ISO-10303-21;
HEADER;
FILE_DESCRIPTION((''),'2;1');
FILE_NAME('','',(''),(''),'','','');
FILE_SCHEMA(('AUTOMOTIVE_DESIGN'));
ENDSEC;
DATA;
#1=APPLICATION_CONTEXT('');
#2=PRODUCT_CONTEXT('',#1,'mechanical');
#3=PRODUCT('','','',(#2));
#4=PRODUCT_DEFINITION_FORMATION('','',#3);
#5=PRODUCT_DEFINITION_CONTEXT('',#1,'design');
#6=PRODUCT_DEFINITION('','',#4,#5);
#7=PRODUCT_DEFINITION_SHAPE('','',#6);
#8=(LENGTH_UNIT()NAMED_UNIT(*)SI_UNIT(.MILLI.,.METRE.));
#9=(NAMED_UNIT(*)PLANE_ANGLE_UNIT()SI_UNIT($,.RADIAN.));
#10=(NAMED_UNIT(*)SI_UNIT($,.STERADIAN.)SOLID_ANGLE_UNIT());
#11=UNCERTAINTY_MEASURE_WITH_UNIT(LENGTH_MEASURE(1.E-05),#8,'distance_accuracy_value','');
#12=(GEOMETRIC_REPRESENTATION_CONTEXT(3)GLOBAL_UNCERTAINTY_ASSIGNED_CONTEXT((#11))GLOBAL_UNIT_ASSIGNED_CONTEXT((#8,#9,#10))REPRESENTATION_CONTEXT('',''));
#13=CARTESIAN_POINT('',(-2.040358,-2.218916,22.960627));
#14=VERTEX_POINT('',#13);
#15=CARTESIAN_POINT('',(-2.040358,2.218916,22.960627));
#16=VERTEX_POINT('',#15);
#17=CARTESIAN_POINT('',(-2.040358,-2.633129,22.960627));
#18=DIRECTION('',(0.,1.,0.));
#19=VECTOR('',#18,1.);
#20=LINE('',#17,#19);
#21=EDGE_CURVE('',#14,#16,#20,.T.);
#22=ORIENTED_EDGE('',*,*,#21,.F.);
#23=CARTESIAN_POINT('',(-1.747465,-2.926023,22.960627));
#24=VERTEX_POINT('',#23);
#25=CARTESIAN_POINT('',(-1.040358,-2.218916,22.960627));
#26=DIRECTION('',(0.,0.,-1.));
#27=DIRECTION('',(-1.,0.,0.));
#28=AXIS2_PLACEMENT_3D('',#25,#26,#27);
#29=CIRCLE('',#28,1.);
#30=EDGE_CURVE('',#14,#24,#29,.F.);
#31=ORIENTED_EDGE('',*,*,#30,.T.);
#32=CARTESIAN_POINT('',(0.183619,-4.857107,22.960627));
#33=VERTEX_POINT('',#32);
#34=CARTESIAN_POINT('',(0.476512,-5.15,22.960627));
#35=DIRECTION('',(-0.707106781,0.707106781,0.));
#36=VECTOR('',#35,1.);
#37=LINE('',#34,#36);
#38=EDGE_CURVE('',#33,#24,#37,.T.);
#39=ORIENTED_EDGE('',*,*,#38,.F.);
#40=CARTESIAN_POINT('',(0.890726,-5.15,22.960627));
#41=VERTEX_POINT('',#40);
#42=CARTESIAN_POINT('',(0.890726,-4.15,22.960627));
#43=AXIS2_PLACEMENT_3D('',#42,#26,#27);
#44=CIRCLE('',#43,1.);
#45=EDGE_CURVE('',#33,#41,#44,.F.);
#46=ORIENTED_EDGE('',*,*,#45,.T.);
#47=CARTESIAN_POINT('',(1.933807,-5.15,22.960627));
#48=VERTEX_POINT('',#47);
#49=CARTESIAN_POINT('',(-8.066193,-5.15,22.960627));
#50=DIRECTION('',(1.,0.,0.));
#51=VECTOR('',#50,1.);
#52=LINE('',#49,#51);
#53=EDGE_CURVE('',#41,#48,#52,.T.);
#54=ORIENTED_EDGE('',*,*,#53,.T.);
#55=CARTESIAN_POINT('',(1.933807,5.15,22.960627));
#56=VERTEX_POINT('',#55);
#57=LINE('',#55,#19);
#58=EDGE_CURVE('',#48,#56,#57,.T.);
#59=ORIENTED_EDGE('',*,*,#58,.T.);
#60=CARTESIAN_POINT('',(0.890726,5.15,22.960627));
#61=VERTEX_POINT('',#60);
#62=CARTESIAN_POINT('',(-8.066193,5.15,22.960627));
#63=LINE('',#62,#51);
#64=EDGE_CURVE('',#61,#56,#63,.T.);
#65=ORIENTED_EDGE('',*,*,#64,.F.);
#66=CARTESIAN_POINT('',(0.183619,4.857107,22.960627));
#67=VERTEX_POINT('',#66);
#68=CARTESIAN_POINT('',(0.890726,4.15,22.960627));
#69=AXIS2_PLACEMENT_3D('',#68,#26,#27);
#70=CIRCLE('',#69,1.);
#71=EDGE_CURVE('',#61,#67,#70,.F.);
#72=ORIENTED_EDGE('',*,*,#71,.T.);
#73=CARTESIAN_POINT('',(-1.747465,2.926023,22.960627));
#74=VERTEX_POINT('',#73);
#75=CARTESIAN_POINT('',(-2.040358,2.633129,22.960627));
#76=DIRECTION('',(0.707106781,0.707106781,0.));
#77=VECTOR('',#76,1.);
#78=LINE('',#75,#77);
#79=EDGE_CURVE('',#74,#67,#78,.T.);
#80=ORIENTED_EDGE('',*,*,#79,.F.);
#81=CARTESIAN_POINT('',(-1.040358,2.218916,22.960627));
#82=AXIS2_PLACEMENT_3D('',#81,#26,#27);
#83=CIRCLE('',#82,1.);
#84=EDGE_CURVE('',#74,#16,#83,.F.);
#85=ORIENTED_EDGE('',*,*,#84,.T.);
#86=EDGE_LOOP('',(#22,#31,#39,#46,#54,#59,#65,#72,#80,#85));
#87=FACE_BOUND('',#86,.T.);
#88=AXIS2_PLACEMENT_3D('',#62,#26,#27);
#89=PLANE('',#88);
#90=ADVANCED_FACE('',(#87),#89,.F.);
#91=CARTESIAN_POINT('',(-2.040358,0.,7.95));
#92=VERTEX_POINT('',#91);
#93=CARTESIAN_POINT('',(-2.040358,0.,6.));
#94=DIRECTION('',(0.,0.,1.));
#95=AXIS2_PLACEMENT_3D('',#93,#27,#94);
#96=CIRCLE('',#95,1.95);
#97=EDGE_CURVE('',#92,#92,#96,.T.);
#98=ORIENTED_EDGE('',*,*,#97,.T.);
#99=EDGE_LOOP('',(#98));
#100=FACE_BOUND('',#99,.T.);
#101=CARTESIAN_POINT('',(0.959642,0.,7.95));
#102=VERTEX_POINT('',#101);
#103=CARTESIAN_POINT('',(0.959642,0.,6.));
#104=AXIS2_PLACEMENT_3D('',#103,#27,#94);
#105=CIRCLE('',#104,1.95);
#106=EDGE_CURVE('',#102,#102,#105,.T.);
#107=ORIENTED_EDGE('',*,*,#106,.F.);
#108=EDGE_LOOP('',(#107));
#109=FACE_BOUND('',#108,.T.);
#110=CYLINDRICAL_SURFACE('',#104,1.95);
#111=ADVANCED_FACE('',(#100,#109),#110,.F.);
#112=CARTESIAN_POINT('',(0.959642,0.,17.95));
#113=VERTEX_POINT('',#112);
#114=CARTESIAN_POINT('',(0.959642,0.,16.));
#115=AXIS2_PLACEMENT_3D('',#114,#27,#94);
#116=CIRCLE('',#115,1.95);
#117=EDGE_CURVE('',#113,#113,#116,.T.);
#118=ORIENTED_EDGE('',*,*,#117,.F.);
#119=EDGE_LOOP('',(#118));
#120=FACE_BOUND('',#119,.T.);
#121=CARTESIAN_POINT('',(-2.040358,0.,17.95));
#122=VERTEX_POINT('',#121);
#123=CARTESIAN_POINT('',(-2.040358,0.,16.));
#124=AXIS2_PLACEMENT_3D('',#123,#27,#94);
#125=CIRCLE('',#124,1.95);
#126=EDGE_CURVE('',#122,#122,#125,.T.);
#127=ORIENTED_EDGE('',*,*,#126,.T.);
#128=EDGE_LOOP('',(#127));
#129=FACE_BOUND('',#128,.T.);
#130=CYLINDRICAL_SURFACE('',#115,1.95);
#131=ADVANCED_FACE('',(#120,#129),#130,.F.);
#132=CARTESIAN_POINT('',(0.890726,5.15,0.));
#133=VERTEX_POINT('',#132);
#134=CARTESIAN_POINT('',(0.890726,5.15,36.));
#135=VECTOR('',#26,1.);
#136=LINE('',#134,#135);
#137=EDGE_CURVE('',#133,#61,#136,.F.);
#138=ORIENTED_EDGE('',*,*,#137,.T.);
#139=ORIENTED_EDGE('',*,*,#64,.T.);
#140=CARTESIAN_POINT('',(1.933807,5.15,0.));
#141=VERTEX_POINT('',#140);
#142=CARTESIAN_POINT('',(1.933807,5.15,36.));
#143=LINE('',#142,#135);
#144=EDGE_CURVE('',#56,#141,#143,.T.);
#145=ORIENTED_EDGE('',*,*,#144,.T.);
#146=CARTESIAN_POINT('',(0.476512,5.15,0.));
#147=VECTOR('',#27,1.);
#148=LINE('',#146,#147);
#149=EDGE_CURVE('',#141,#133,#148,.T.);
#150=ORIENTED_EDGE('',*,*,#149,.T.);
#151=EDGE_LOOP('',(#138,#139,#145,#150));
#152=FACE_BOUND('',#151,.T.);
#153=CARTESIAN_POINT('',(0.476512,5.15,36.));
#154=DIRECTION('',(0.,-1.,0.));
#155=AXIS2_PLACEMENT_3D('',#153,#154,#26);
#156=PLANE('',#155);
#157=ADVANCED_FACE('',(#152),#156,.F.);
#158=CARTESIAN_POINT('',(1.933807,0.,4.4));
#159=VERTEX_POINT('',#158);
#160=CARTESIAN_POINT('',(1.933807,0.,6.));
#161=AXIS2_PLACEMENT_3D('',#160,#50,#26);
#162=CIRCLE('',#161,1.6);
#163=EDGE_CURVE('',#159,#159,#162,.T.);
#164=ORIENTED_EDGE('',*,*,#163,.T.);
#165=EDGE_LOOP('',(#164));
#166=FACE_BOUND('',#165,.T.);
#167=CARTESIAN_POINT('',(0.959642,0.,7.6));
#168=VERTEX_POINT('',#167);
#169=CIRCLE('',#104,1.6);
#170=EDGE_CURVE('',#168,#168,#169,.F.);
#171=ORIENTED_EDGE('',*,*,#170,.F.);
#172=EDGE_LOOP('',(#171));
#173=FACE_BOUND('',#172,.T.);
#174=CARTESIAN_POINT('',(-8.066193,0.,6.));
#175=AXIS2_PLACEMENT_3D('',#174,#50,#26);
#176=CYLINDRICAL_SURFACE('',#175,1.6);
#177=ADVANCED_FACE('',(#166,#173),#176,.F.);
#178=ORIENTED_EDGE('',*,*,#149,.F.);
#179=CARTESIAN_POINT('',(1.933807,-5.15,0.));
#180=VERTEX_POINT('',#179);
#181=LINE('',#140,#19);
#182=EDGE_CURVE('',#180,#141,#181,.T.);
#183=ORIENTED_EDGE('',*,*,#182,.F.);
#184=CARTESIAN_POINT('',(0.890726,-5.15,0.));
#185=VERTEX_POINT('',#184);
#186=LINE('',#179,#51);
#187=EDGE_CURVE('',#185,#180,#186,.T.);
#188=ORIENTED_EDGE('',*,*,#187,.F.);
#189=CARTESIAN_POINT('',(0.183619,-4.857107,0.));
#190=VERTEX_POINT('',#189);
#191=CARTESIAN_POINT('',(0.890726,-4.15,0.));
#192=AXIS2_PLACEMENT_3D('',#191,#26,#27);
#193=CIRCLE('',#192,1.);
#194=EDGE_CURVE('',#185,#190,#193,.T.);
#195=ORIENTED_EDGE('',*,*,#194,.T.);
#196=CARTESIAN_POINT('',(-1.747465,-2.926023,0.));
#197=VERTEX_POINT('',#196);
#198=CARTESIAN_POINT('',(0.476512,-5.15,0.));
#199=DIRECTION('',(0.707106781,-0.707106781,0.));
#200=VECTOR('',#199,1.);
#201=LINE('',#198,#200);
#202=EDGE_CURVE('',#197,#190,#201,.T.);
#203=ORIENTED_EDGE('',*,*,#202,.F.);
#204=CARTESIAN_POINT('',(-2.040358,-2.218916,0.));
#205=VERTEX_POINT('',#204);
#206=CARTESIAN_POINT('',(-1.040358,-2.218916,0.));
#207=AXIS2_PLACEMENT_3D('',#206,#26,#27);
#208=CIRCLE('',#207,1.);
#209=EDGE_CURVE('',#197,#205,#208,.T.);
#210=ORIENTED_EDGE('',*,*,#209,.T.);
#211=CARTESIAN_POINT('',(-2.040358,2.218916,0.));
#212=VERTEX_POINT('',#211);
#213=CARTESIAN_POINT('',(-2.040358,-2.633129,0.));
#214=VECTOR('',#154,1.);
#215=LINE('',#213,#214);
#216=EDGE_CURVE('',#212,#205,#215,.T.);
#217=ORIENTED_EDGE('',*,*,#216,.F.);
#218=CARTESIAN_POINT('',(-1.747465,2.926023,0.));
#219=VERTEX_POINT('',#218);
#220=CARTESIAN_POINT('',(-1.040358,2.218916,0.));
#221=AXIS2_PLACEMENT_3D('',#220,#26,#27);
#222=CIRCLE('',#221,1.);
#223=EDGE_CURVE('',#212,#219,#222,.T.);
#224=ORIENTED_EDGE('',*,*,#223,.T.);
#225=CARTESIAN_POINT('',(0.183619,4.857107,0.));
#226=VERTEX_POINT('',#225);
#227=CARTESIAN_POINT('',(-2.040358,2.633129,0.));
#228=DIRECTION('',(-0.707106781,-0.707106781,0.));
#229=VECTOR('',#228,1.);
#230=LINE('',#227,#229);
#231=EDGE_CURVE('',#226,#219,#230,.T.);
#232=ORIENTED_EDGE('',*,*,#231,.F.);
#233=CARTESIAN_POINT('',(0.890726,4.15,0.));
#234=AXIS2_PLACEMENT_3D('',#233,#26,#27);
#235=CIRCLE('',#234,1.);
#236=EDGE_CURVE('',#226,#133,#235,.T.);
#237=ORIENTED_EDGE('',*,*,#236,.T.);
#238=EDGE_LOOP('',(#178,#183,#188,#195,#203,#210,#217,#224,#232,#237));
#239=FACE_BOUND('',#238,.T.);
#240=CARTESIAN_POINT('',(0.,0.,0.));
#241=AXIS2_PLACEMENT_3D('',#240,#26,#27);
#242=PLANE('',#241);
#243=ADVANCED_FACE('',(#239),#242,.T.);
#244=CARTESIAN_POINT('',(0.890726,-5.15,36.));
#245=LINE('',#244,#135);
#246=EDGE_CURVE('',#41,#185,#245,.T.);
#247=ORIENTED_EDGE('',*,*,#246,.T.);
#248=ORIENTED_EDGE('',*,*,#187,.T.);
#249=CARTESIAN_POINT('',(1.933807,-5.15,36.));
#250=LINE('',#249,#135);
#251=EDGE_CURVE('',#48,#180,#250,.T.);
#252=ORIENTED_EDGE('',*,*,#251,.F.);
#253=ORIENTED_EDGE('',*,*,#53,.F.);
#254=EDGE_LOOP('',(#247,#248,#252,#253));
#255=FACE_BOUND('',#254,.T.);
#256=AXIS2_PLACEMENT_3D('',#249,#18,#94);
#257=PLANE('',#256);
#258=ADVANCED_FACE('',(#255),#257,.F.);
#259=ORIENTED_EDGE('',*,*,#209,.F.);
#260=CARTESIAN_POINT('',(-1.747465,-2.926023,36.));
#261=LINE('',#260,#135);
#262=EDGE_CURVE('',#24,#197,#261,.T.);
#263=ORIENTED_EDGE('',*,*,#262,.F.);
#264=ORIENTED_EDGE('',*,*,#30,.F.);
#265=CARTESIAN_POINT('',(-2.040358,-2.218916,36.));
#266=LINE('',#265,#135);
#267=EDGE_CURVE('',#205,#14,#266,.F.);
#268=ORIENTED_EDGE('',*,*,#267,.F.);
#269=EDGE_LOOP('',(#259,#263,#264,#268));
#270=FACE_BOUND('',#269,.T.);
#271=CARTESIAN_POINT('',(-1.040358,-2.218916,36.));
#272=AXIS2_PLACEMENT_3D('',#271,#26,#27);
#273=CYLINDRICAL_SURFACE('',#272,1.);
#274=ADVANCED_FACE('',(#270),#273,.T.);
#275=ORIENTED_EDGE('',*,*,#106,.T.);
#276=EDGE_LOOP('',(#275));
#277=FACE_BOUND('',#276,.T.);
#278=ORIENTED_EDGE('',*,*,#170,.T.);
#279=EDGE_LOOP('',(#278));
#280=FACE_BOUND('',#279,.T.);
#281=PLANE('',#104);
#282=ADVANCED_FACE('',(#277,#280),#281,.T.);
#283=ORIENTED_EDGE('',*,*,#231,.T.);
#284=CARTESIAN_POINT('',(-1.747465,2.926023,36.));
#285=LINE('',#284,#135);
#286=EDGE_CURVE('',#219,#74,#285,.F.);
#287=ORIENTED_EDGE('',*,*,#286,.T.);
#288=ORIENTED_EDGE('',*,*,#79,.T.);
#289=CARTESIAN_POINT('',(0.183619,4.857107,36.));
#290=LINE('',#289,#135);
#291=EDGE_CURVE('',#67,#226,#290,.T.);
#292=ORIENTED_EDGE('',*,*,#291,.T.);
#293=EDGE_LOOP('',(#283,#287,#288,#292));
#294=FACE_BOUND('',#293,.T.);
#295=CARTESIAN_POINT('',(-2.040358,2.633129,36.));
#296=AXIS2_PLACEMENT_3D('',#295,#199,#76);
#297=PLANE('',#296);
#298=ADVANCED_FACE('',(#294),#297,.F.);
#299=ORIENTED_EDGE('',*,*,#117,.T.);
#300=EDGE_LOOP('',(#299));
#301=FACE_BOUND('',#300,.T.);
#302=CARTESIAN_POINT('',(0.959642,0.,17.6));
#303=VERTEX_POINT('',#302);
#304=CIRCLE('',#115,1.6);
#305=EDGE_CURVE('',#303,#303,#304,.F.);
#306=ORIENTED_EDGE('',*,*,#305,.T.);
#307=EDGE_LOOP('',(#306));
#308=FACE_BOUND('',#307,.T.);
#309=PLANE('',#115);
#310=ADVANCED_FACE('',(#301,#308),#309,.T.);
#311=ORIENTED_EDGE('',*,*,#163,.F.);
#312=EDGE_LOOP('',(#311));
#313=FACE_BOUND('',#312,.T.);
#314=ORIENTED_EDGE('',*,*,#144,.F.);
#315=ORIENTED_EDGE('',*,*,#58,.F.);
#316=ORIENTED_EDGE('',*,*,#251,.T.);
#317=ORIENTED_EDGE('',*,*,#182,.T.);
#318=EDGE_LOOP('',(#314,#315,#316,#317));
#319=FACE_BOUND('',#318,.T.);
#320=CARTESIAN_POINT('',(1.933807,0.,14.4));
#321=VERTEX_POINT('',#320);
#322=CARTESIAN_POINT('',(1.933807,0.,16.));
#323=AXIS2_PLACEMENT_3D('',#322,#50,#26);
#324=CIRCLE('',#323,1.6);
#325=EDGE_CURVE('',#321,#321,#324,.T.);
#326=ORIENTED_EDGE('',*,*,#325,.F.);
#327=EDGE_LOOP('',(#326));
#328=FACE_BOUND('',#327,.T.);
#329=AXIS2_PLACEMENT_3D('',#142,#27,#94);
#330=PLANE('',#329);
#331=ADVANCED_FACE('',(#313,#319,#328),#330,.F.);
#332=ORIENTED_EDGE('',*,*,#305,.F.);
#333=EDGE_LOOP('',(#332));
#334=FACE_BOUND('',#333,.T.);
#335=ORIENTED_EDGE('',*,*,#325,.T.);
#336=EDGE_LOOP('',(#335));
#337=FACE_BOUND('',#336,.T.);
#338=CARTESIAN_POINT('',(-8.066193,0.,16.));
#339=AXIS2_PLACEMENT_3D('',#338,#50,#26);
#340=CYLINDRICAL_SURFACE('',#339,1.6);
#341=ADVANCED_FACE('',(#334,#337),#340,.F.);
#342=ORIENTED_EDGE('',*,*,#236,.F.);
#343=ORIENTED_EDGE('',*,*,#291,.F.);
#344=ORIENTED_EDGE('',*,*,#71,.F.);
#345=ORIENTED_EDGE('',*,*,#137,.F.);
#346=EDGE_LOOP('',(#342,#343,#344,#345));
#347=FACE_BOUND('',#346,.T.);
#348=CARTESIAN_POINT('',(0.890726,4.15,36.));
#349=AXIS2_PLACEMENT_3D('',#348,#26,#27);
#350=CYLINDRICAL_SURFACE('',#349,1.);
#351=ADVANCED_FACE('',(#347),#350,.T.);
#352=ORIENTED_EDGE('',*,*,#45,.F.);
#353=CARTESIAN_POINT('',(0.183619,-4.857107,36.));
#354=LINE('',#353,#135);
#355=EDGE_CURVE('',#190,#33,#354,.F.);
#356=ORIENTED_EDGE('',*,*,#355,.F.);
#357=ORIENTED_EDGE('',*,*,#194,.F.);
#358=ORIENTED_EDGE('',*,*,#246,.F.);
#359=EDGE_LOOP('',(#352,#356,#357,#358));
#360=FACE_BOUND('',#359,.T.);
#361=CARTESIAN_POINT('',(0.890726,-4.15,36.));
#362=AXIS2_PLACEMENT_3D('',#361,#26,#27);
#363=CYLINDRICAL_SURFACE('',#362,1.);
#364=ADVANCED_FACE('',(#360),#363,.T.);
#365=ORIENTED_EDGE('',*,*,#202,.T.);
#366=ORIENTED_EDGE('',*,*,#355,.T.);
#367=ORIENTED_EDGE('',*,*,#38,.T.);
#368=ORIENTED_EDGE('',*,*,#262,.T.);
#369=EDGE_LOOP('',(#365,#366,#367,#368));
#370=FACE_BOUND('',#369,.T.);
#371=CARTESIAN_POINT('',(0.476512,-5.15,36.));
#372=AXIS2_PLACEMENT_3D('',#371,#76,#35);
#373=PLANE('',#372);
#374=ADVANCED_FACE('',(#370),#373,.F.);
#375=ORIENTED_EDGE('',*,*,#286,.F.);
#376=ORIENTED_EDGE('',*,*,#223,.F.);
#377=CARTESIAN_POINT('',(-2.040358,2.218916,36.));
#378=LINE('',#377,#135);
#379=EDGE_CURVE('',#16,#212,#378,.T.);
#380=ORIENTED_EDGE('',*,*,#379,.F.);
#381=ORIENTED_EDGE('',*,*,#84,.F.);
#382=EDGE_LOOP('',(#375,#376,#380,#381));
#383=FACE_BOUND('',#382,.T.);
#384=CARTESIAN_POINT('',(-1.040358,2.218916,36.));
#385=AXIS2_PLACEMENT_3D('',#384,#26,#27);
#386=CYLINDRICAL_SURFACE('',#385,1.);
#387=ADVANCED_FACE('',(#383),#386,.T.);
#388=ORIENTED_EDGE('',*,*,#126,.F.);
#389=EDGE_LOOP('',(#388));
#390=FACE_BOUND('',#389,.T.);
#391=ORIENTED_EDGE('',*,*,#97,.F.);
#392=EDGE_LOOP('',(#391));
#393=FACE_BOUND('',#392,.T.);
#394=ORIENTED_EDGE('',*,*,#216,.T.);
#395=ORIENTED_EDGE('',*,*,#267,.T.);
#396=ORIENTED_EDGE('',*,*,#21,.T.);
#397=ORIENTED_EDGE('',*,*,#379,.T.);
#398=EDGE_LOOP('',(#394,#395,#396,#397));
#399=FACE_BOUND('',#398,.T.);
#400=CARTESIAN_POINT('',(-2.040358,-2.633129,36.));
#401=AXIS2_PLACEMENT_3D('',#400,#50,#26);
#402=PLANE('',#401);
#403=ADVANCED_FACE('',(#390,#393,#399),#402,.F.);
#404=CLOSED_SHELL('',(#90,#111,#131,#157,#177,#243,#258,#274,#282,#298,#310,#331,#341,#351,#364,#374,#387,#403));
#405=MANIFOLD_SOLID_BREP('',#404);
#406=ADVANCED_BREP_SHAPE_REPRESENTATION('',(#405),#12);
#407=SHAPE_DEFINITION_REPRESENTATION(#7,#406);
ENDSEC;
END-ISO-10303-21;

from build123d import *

# Parameters (mm, degrees)
BOSS_EXTRUDE1_DEPTH = 36
SKETCH2_R           = 1.6
CUT_EXTRUDE1_DEPTH  = 10
SKETCH3_R           = 1.95
CUT_EXTRUDE2_DEPTH  = 3
FILLET1_R           = 1
SKETCH4_W           = 8
SKETCH4_H           = 10.3
CUT_EXTRUDE3_DEPTH  = 10
SKETCH5_W           = 5.039372534
SKETCH5_H           = 10.3
CUT_EXTRUDE4_DEPTH  = 10


with BuildPart() as part:
    # Sketch1 → Boss-Extrude1 (new body)
    with BuildSketch(Plane.XY):
        Polygon((1.933806537, 5.15), (1.933806537, -5.15), (0.476512405, -5.15), (-2.040358106, -2.633129489), (-2.040358106, 2.633129489), (0.476512405, 5.15), align=None)
    extrude(amount=BOSS_EXTRUDE1_DEPTH)

    # Sketch2 → Cut-Extrude1 (cut)
    with BuildSketch(Plane(origin=(1.933806537, 0, 0), x_dir=(0, 0, -1), z_dir=(1, 0, 0))):
        with Locations((-16, 0)):
            Circle(SKETCH2_R)
        with Locations((-31, 0)):
            Circle(SKETCH2_R)
        with Locations((-6, 0)):
            Circle(SKETCH2_R)
    extrude(amount=-CUT_EXTRUDE1_DEPTH, mode=Mode.SUBTRACT)

    # Sketch3 → Cut-Extrude2 (cut)
    with BuildSketch(Plane.ZY.offset(2.040358106)):
        with Locations((16, 0)):
            Circle(SKETCH3_R)
        with Locations((31, 0)):
            Circle(SKETCH3_R)
        with Locations((6, 0)):
            Circle(SKETCH3_R)
    extrude(amount=-CUT_EXTRUDE2_DEPTH, mode=Mode.SUBTRACT)

    # Fillet1
    fillet1_edges = [part.edges().sort_by_distance(p)[0] for p in [
        (0.476512405, 5.15, 18),
        (0.476512405, -5.15, 18),
        (-2.040358106, 2.633129489, 18),
        (-2.040358106, -2.633129489, 18),
    ]]
    fillet(fillet1_edges, radius=FILLET1_R)

    # Sketch4 → Cut-Extrude3 (cut)
    with BuildSketch(Plane(origin=(1.933806537, 0, 0), x_dir=(0, 0, -1), z_dir=(1, 0, 0))):
        with Locations((-32, 0)):
            Rectangle(SKETCH4_W, SKETCH4_H)
    extrude(amount=-CUT_EXTRUDE3_DEPTH, mode=Mode.SUBTRACT)

    # Sketch5 → Cut-Extrude4 (cut)
    with BuildSketch(Plane(origin=(1.933806537, 0, 0), x_dir=(0, 0, -1), z_dir=(1, 0, 0))):
        with Locations((-25.480313733, 0)):
            Rectangle(SKETCH5_W, SKETCH5_H)
    extrude(amount=-CUT_EXTRUDE4_DEPTH, mode=Mode.SUBTRACT)


solid = part.part
